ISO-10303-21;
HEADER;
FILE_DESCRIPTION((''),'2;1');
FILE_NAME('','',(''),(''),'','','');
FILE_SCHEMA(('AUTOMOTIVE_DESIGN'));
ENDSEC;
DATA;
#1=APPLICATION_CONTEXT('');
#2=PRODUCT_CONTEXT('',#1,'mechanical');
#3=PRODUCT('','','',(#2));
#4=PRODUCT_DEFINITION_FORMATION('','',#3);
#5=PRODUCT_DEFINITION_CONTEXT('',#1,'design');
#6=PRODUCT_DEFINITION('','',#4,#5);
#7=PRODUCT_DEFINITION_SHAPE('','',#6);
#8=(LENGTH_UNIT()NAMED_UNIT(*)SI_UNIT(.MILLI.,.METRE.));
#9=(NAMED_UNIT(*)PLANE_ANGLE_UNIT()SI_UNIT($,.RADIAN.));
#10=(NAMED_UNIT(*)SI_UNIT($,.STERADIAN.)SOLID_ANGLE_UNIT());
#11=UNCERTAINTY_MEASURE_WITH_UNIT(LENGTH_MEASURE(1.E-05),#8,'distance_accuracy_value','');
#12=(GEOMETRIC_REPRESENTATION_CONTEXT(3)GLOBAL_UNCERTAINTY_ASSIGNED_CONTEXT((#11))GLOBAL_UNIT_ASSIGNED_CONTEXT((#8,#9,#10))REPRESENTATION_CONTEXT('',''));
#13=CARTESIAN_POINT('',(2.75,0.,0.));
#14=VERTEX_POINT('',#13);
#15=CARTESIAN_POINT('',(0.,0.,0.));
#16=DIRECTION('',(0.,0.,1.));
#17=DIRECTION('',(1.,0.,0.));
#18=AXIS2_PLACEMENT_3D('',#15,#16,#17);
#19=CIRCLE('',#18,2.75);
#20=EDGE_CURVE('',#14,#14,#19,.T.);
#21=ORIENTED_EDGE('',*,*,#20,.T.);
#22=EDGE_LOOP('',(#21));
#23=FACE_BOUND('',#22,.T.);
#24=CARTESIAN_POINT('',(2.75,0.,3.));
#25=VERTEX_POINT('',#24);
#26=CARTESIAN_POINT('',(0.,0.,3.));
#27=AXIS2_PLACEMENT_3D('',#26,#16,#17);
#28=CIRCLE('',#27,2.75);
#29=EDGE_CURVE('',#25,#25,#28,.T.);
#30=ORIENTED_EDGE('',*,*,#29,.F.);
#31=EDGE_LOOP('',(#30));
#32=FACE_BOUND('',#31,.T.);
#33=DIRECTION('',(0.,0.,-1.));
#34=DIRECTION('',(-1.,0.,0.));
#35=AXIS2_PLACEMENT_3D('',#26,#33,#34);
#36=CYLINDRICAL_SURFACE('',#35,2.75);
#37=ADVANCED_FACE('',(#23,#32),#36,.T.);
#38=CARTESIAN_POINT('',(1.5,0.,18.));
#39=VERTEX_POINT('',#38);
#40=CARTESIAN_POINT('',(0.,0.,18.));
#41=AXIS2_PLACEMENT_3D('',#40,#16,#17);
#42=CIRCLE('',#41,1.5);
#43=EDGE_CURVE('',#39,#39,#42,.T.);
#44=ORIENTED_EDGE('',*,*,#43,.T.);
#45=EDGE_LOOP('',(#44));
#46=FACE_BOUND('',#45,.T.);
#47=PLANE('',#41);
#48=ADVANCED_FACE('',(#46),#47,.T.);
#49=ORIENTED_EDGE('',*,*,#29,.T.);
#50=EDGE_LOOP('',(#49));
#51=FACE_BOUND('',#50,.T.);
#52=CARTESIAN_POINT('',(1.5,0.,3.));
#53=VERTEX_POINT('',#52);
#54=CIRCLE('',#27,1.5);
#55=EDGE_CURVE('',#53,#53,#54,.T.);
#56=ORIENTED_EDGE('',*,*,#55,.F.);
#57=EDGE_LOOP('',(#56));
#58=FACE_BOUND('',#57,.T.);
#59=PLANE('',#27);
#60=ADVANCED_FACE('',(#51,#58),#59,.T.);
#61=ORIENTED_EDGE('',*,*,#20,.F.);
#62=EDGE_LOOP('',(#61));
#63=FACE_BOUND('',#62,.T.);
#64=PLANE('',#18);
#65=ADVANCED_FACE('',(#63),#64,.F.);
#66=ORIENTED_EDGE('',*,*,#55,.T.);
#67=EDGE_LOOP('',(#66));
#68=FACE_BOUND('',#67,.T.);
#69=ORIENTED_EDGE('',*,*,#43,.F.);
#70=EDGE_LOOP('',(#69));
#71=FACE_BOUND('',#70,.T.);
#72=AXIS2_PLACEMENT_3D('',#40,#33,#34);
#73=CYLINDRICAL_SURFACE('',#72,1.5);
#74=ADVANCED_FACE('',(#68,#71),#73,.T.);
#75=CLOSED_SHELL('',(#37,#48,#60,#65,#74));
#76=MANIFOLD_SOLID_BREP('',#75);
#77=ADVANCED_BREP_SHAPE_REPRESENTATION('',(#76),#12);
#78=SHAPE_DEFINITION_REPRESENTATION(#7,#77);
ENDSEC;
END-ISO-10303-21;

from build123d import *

# Parameters (mm, degrees)
ESBO_O1_R                = 2.75
RESSALTO_EXTRUS_O1_DEPTH = 3
ESBO_O2_R                = 1.5
RESSALTO_EXTRUS_O2_DEPTH = 15


with BuildPart() as part:
    # Esboço1 → Ressalto-extrusão1 (new body)
    with BuildSketch(Plane.XY):
        Circle(ESBO_O1_R)
    extrude(amount=RESSALTO_EXTRUS_O1_DEPTH)

    # Esboço2 → Ressalto-extrusão2 (add)
    with BuildSketch(Plane.XY.offset(3)):
        Circle(ESBO_O2_R)
    extrude(amount=RESSALTO_EXTRUS_O2_DEPTH)


solid = part.part
